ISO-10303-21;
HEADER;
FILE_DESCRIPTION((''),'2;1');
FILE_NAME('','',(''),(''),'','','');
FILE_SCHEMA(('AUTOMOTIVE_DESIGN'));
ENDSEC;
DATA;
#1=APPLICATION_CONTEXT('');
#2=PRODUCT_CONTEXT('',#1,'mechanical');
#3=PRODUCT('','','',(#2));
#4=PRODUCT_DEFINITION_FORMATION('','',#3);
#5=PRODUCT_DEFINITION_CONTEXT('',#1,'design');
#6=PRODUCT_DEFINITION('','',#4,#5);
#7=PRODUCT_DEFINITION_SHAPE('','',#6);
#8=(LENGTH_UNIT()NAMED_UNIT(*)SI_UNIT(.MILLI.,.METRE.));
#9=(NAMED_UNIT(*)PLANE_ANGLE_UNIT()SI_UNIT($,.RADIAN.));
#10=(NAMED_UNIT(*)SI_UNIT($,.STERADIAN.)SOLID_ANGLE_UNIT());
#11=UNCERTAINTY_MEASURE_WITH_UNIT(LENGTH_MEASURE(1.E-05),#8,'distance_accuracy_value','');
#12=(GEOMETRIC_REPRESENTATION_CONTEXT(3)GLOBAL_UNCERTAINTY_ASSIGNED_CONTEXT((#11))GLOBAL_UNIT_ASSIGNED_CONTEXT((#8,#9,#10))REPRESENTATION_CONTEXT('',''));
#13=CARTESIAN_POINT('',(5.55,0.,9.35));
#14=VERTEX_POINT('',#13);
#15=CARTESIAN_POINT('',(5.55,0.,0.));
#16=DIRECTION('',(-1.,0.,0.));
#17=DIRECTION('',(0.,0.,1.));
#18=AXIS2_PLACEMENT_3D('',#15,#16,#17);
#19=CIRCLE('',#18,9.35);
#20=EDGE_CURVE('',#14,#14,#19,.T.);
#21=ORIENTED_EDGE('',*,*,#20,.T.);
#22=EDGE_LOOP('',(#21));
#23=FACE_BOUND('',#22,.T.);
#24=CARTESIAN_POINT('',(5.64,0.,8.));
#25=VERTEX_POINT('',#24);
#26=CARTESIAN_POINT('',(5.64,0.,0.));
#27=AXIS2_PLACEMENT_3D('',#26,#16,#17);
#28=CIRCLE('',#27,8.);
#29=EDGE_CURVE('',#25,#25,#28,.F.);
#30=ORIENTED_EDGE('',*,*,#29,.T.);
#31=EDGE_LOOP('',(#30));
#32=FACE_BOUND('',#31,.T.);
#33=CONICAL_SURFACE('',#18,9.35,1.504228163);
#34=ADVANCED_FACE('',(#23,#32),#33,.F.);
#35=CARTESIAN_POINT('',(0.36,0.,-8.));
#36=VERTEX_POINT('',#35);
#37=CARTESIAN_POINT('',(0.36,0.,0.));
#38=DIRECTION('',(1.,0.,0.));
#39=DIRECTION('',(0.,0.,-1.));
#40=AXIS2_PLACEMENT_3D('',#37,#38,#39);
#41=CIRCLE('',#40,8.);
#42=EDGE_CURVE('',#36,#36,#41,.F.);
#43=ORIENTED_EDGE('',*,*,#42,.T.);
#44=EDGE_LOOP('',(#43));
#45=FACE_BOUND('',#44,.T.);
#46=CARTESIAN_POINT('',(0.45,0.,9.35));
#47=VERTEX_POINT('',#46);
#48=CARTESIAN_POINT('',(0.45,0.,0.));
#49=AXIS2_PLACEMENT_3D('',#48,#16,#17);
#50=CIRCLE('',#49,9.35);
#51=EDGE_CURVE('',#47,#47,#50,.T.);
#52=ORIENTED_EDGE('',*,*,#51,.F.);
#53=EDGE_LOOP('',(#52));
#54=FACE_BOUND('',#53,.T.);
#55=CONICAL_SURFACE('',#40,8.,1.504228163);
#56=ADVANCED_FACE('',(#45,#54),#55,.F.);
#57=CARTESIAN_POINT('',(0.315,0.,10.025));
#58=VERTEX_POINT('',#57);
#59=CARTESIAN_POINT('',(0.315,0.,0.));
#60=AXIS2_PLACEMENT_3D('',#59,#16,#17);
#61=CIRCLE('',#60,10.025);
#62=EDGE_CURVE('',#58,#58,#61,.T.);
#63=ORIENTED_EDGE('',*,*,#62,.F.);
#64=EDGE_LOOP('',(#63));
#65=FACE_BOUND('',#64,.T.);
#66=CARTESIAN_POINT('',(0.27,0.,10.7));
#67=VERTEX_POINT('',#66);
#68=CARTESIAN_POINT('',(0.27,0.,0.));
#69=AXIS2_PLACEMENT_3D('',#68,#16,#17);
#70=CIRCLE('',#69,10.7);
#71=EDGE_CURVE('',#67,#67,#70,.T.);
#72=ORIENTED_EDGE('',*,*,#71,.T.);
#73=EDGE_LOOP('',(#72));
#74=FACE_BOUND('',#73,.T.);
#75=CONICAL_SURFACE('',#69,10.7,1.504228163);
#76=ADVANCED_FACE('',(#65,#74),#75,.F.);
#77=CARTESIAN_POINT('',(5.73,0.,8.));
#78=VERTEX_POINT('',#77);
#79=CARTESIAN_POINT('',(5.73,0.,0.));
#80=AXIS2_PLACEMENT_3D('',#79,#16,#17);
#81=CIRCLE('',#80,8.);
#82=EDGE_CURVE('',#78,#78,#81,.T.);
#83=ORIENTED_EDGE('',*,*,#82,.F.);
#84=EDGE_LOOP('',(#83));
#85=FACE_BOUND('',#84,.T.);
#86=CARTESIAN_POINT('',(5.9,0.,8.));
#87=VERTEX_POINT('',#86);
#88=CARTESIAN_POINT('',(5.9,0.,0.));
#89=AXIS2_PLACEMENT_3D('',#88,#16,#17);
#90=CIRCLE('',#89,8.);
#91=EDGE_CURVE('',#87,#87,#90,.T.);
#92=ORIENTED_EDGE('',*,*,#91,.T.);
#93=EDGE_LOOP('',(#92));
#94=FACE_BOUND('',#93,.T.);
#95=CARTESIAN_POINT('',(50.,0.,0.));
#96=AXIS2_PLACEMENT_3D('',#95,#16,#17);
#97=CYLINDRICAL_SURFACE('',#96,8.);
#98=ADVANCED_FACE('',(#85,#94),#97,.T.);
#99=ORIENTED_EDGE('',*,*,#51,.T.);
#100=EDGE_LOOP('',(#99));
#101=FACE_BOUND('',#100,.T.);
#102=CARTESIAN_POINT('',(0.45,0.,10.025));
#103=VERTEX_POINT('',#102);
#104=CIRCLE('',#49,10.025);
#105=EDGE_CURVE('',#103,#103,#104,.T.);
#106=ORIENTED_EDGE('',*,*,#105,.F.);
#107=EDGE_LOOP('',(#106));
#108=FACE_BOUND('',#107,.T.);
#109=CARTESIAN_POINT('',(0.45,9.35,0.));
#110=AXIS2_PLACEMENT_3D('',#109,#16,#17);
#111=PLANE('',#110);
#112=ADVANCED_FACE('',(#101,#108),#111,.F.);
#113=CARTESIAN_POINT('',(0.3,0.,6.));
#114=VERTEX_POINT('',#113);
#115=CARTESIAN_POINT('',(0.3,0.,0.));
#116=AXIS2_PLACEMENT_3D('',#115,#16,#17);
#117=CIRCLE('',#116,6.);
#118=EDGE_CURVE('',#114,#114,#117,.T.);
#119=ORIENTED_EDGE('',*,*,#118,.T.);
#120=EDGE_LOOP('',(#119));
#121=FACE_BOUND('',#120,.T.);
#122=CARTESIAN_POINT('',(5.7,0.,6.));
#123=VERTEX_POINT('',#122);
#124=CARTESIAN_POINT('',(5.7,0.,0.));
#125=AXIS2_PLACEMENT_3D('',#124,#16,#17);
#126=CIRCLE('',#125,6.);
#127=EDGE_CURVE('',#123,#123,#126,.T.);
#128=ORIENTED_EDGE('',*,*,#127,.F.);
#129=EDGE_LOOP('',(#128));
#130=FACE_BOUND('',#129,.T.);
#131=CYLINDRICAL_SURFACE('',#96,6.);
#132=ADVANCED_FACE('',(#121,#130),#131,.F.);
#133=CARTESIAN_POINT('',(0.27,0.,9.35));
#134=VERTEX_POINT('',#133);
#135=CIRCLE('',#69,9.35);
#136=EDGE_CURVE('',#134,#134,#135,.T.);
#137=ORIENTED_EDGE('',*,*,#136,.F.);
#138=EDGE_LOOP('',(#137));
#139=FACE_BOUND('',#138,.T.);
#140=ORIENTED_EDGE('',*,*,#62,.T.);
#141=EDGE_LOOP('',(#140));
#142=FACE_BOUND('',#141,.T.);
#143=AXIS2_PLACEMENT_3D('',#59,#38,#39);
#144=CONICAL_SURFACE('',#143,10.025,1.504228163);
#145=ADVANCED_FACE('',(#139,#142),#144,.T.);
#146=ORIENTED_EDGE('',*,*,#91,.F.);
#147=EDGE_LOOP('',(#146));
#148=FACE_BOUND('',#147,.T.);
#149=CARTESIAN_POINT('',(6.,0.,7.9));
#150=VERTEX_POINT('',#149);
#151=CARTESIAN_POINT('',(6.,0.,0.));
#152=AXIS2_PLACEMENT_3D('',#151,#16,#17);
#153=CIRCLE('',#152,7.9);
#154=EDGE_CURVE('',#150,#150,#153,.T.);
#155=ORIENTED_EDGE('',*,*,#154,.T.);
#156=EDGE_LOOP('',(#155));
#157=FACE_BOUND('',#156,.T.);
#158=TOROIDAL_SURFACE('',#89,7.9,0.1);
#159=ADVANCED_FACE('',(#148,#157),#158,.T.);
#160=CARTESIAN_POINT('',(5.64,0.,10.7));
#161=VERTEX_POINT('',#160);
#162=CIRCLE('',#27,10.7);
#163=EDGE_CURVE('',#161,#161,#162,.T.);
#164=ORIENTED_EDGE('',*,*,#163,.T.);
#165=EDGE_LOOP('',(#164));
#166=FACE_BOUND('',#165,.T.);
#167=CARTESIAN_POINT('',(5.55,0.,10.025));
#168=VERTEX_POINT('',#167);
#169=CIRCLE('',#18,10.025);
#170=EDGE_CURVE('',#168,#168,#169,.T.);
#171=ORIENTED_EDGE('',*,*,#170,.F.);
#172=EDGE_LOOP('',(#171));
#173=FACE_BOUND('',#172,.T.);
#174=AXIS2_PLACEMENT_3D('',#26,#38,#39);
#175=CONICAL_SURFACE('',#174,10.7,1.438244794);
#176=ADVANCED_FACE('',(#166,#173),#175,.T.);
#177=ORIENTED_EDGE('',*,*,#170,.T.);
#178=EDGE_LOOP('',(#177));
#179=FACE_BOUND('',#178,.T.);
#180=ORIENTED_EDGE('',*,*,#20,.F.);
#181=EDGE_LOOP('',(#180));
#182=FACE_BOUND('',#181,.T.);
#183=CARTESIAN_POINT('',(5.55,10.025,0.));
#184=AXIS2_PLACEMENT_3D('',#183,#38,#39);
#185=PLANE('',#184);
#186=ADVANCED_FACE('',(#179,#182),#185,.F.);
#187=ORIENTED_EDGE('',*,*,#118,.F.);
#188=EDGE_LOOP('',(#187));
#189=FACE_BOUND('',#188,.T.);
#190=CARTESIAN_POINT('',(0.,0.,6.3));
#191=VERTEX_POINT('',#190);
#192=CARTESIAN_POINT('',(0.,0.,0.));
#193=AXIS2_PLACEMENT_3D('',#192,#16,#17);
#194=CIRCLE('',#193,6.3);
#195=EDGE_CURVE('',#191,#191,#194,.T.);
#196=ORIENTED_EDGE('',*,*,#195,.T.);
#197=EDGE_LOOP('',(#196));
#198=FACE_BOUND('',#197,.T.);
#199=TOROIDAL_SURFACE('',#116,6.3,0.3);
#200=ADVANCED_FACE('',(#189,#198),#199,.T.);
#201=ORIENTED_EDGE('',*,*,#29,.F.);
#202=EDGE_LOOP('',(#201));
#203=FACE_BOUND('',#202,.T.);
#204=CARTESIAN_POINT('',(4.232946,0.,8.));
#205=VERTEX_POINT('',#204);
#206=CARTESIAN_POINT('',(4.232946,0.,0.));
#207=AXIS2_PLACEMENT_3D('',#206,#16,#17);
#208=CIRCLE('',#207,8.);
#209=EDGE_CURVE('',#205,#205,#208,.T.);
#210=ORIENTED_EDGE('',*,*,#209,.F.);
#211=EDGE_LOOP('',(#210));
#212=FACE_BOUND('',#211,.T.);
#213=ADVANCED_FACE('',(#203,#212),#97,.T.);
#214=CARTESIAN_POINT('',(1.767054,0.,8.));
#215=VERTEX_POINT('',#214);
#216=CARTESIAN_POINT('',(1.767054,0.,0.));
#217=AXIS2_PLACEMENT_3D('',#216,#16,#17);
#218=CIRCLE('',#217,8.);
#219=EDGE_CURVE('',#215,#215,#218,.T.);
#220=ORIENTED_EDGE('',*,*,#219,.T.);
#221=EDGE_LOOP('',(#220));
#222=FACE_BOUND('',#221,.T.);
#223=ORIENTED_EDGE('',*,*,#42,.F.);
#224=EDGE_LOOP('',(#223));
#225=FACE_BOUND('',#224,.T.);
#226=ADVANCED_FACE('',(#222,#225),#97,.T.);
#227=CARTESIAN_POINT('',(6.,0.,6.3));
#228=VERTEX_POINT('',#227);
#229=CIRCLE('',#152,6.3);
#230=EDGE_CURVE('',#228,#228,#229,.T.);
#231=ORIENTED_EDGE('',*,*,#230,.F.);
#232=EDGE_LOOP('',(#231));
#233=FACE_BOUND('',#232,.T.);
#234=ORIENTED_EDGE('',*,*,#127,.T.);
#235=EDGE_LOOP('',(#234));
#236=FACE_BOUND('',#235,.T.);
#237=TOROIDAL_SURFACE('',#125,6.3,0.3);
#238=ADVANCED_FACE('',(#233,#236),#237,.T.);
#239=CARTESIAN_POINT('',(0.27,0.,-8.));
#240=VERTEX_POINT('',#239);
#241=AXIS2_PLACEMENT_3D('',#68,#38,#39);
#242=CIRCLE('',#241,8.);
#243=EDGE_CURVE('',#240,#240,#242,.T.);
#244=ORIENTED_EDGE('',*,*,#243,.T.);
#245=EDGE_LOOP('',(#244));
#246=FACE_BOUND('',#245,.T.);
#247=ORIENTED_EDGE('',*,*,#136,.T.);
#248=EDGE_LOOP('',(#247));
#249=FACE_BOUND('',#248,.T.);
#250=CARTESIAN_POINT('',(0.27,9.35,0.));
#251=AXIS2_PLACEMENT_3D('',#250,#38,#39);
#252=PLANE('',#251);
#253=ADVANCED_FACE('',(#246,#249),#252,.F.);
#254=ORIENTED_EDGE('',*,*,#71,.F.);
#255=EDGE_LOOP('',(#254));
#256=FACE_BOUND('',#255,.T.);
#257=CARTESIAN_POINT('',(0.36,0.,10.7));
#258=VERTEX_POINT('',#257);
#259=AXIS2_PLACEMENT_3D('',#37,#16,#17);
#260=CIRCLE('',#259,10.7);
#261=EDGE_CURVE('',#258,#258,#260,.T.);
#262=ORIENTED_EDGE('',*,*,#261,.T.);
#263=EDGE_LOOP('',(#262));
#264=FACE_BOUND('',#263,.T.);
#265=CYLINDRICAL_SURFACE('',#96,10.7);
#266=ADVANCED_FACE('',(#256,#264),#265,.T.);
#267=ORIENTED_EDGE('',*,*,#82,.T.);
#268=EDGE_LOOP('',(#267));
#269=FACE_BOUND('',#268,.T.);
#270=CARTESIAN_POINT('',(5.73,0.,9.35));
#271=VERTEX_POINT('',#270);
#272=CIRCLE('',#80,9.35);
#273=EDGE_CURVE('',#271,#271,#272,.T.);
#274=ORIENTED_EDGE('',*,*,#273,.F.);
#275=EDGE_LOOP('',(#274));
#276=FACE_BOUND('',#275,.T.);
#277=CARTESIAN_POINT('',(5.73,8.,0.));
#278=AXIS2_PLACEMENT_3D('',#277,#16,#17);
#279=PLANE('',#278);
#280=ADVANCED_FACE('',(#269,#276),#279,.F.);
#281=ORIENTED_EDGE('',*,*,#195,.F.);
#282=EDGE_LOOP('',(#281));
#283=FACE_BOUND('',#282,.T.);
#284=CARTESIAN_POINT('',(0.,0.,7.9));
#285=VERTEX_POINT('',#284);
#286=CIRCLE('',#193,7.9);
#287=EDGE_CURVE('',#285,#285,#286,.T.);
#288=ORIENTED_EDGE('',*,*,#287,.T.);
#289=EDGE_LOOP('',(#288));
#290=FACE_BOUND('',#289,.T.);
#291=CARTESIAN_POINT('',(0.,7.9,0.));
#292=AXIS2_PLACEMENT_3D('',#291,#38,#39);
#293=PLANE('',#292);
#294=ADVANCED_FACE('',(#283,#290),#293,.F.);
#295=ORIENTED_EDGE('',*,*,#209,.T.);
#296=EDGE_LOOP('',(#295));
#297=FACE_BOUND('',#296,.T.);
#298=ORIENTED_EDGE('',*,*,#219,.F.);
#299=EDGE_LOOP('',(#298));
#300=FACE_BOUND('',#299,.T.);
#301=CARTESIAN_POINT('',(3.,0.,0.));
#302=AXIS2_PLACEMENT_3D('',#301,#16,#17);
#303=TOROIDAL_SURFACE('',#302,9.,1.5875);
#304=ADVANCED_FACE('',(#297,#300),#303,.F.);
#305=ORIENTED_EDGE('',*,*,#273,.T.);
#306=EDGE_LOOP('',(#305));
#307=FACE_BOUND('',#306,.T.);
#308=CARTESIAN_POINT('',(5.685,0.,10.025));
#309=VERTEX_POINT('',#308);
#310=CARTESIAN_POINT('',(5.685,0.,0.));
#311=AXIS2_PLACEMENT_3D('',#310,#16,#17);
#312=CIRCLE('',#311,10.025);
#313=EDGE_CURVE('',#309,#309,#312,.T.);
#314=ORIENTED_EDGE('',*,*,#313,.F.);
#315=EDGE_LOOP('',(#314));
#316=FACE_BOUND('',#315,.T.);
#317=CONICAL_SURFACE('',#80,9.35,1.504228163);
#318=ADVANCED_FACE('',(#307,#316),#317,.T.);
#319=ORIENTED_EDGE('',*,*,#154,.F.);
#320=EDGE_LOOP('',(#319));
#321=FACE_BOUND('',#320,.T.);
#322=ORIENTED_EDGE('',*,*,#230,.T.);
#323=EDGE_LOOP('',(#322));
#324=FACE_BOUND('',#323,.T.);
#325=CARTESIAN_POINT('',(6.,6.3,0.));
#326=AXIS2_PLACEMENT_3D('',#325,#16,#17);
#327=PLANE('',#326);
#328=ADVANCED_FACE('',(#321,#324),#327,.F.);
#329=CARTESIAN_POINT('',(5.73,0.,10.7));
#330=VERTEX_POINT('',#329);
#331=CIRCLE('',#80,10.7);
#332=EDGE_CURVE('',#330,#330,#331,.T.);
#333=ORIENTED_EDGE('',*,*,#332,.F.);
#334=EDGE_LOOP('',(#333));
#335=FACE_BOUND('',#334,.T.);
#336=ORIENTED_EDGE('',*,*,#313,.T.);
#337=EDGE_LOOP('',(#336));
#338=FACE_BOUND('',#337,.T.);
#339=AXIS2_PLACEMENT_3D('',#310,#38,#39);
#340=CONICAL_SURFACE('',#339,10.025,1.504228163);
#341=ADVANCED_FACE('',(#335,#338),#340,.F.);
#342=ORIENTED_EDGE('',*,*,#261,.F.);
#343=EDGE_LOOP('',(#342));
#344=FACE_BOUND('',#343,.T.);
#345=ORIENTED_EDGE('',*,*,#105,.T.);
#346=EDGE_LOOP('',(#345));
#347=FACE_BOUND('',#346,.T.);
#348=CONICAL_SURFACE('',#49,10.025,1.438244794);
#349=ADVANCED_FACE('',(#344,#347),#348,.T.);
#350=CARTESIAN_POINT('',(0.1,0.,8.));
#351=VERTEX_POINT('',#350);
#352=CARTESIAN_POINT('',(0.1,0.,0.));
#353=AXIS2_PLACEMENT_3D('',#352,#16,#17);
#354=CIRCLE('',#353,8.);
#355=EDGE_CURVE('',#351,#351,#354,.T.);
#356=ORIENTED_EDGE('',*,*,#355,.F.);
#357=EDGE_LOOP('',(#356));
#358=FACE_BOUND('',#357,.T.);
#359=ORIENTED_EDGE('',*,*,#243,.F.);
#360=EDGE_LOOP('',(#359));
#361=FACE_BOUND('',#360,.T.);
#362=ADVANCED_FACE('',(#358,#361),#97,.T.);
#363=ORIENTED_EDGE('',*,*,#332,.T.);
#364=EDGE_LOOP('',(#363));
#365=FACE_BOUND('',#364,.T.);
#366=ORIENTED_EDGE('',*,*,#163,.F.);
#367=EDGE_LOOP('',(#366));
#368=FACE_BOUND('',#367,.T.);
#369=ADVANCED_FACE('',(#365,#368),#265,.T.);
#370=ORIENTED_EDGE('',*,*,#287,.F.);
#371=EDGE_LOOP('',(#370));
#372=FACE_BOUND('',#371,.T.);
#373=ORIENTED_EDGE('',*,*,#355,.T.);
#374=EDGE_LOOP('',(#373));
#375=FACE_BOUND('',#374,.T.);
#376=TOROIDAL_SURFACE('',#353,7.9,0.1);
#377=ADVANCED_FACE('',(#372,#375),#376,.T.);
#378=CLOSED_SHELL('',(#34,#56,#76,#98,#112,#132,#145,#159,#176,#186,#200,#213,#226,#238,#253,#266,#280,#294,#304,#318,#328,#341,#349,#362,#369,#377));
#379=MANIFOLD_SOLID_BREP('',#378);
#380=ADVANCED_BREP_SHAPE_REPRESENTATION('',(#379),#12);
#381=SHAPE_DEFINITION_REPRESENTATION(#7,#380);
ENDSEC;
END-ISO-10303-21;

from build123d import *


with BuildPart() as part:
    # Sketch1 → Revolve1 (revolve)
    with BuildSketch(Plane.XY):
        with BuildLine():
            Line((0, 7.9), (0, 6.3))
            ThreePointArc((0, 6.3), (0.087867966, 6.087867966), (0.3, 6))
            Line((0.3, 6), (5.7, 6))
            ThreePointArc((5.7, 6), (5.912132034, 6.087867966), (6, 6.3))
            Line((6, 6.3), (6, 7.9))
            ThreePointArc((6, 7.9), (5.970710678, 7.970710678), (5.9, 8))
            Line((5.9, 8), (4.232946167, 8))
            ThreePointArc((4.232946167, 8), (3, 7.4125), (1.767053833, 8))
            Line((1.767053833, 8), (0.1, 8))
            ThreePointArc((0.1, 8), (0.029289322, 7.970710678), (0, 7.9))
        make_face()
    revolve(axis=Axis((50, 0, 0), (-1, 0, 0)))

    # Sketch2 → Revolve2 (revolve)
    with BuildSketch(Plane.XY):
        Polygon((0.27, 10.7), (0.315, 10.025), (0.27, 9.35), (0.27, 8), (0.36, 8), (0.45, 9.35), (0.45, 10.025), (0.36, 10.7), align=None)
    revolve(axis=Axis((50, 0, 0), (-1, 0, 0)))

    # Sketch3 → Revolve3 (revolve)
    with BuildSketch(Plane.XY):
        Polygon((5.55, 10.025), (5.55, 9.35), (5.64, 8), (5.73, 8), (5.73, 9.35), (5.685, 10.025), (5.73, 10.7), (5.64, 10.7), align=None)
    revolve(axis=Axis((50, 0, 0), (-1, 0, 0)))


solid = part.part
